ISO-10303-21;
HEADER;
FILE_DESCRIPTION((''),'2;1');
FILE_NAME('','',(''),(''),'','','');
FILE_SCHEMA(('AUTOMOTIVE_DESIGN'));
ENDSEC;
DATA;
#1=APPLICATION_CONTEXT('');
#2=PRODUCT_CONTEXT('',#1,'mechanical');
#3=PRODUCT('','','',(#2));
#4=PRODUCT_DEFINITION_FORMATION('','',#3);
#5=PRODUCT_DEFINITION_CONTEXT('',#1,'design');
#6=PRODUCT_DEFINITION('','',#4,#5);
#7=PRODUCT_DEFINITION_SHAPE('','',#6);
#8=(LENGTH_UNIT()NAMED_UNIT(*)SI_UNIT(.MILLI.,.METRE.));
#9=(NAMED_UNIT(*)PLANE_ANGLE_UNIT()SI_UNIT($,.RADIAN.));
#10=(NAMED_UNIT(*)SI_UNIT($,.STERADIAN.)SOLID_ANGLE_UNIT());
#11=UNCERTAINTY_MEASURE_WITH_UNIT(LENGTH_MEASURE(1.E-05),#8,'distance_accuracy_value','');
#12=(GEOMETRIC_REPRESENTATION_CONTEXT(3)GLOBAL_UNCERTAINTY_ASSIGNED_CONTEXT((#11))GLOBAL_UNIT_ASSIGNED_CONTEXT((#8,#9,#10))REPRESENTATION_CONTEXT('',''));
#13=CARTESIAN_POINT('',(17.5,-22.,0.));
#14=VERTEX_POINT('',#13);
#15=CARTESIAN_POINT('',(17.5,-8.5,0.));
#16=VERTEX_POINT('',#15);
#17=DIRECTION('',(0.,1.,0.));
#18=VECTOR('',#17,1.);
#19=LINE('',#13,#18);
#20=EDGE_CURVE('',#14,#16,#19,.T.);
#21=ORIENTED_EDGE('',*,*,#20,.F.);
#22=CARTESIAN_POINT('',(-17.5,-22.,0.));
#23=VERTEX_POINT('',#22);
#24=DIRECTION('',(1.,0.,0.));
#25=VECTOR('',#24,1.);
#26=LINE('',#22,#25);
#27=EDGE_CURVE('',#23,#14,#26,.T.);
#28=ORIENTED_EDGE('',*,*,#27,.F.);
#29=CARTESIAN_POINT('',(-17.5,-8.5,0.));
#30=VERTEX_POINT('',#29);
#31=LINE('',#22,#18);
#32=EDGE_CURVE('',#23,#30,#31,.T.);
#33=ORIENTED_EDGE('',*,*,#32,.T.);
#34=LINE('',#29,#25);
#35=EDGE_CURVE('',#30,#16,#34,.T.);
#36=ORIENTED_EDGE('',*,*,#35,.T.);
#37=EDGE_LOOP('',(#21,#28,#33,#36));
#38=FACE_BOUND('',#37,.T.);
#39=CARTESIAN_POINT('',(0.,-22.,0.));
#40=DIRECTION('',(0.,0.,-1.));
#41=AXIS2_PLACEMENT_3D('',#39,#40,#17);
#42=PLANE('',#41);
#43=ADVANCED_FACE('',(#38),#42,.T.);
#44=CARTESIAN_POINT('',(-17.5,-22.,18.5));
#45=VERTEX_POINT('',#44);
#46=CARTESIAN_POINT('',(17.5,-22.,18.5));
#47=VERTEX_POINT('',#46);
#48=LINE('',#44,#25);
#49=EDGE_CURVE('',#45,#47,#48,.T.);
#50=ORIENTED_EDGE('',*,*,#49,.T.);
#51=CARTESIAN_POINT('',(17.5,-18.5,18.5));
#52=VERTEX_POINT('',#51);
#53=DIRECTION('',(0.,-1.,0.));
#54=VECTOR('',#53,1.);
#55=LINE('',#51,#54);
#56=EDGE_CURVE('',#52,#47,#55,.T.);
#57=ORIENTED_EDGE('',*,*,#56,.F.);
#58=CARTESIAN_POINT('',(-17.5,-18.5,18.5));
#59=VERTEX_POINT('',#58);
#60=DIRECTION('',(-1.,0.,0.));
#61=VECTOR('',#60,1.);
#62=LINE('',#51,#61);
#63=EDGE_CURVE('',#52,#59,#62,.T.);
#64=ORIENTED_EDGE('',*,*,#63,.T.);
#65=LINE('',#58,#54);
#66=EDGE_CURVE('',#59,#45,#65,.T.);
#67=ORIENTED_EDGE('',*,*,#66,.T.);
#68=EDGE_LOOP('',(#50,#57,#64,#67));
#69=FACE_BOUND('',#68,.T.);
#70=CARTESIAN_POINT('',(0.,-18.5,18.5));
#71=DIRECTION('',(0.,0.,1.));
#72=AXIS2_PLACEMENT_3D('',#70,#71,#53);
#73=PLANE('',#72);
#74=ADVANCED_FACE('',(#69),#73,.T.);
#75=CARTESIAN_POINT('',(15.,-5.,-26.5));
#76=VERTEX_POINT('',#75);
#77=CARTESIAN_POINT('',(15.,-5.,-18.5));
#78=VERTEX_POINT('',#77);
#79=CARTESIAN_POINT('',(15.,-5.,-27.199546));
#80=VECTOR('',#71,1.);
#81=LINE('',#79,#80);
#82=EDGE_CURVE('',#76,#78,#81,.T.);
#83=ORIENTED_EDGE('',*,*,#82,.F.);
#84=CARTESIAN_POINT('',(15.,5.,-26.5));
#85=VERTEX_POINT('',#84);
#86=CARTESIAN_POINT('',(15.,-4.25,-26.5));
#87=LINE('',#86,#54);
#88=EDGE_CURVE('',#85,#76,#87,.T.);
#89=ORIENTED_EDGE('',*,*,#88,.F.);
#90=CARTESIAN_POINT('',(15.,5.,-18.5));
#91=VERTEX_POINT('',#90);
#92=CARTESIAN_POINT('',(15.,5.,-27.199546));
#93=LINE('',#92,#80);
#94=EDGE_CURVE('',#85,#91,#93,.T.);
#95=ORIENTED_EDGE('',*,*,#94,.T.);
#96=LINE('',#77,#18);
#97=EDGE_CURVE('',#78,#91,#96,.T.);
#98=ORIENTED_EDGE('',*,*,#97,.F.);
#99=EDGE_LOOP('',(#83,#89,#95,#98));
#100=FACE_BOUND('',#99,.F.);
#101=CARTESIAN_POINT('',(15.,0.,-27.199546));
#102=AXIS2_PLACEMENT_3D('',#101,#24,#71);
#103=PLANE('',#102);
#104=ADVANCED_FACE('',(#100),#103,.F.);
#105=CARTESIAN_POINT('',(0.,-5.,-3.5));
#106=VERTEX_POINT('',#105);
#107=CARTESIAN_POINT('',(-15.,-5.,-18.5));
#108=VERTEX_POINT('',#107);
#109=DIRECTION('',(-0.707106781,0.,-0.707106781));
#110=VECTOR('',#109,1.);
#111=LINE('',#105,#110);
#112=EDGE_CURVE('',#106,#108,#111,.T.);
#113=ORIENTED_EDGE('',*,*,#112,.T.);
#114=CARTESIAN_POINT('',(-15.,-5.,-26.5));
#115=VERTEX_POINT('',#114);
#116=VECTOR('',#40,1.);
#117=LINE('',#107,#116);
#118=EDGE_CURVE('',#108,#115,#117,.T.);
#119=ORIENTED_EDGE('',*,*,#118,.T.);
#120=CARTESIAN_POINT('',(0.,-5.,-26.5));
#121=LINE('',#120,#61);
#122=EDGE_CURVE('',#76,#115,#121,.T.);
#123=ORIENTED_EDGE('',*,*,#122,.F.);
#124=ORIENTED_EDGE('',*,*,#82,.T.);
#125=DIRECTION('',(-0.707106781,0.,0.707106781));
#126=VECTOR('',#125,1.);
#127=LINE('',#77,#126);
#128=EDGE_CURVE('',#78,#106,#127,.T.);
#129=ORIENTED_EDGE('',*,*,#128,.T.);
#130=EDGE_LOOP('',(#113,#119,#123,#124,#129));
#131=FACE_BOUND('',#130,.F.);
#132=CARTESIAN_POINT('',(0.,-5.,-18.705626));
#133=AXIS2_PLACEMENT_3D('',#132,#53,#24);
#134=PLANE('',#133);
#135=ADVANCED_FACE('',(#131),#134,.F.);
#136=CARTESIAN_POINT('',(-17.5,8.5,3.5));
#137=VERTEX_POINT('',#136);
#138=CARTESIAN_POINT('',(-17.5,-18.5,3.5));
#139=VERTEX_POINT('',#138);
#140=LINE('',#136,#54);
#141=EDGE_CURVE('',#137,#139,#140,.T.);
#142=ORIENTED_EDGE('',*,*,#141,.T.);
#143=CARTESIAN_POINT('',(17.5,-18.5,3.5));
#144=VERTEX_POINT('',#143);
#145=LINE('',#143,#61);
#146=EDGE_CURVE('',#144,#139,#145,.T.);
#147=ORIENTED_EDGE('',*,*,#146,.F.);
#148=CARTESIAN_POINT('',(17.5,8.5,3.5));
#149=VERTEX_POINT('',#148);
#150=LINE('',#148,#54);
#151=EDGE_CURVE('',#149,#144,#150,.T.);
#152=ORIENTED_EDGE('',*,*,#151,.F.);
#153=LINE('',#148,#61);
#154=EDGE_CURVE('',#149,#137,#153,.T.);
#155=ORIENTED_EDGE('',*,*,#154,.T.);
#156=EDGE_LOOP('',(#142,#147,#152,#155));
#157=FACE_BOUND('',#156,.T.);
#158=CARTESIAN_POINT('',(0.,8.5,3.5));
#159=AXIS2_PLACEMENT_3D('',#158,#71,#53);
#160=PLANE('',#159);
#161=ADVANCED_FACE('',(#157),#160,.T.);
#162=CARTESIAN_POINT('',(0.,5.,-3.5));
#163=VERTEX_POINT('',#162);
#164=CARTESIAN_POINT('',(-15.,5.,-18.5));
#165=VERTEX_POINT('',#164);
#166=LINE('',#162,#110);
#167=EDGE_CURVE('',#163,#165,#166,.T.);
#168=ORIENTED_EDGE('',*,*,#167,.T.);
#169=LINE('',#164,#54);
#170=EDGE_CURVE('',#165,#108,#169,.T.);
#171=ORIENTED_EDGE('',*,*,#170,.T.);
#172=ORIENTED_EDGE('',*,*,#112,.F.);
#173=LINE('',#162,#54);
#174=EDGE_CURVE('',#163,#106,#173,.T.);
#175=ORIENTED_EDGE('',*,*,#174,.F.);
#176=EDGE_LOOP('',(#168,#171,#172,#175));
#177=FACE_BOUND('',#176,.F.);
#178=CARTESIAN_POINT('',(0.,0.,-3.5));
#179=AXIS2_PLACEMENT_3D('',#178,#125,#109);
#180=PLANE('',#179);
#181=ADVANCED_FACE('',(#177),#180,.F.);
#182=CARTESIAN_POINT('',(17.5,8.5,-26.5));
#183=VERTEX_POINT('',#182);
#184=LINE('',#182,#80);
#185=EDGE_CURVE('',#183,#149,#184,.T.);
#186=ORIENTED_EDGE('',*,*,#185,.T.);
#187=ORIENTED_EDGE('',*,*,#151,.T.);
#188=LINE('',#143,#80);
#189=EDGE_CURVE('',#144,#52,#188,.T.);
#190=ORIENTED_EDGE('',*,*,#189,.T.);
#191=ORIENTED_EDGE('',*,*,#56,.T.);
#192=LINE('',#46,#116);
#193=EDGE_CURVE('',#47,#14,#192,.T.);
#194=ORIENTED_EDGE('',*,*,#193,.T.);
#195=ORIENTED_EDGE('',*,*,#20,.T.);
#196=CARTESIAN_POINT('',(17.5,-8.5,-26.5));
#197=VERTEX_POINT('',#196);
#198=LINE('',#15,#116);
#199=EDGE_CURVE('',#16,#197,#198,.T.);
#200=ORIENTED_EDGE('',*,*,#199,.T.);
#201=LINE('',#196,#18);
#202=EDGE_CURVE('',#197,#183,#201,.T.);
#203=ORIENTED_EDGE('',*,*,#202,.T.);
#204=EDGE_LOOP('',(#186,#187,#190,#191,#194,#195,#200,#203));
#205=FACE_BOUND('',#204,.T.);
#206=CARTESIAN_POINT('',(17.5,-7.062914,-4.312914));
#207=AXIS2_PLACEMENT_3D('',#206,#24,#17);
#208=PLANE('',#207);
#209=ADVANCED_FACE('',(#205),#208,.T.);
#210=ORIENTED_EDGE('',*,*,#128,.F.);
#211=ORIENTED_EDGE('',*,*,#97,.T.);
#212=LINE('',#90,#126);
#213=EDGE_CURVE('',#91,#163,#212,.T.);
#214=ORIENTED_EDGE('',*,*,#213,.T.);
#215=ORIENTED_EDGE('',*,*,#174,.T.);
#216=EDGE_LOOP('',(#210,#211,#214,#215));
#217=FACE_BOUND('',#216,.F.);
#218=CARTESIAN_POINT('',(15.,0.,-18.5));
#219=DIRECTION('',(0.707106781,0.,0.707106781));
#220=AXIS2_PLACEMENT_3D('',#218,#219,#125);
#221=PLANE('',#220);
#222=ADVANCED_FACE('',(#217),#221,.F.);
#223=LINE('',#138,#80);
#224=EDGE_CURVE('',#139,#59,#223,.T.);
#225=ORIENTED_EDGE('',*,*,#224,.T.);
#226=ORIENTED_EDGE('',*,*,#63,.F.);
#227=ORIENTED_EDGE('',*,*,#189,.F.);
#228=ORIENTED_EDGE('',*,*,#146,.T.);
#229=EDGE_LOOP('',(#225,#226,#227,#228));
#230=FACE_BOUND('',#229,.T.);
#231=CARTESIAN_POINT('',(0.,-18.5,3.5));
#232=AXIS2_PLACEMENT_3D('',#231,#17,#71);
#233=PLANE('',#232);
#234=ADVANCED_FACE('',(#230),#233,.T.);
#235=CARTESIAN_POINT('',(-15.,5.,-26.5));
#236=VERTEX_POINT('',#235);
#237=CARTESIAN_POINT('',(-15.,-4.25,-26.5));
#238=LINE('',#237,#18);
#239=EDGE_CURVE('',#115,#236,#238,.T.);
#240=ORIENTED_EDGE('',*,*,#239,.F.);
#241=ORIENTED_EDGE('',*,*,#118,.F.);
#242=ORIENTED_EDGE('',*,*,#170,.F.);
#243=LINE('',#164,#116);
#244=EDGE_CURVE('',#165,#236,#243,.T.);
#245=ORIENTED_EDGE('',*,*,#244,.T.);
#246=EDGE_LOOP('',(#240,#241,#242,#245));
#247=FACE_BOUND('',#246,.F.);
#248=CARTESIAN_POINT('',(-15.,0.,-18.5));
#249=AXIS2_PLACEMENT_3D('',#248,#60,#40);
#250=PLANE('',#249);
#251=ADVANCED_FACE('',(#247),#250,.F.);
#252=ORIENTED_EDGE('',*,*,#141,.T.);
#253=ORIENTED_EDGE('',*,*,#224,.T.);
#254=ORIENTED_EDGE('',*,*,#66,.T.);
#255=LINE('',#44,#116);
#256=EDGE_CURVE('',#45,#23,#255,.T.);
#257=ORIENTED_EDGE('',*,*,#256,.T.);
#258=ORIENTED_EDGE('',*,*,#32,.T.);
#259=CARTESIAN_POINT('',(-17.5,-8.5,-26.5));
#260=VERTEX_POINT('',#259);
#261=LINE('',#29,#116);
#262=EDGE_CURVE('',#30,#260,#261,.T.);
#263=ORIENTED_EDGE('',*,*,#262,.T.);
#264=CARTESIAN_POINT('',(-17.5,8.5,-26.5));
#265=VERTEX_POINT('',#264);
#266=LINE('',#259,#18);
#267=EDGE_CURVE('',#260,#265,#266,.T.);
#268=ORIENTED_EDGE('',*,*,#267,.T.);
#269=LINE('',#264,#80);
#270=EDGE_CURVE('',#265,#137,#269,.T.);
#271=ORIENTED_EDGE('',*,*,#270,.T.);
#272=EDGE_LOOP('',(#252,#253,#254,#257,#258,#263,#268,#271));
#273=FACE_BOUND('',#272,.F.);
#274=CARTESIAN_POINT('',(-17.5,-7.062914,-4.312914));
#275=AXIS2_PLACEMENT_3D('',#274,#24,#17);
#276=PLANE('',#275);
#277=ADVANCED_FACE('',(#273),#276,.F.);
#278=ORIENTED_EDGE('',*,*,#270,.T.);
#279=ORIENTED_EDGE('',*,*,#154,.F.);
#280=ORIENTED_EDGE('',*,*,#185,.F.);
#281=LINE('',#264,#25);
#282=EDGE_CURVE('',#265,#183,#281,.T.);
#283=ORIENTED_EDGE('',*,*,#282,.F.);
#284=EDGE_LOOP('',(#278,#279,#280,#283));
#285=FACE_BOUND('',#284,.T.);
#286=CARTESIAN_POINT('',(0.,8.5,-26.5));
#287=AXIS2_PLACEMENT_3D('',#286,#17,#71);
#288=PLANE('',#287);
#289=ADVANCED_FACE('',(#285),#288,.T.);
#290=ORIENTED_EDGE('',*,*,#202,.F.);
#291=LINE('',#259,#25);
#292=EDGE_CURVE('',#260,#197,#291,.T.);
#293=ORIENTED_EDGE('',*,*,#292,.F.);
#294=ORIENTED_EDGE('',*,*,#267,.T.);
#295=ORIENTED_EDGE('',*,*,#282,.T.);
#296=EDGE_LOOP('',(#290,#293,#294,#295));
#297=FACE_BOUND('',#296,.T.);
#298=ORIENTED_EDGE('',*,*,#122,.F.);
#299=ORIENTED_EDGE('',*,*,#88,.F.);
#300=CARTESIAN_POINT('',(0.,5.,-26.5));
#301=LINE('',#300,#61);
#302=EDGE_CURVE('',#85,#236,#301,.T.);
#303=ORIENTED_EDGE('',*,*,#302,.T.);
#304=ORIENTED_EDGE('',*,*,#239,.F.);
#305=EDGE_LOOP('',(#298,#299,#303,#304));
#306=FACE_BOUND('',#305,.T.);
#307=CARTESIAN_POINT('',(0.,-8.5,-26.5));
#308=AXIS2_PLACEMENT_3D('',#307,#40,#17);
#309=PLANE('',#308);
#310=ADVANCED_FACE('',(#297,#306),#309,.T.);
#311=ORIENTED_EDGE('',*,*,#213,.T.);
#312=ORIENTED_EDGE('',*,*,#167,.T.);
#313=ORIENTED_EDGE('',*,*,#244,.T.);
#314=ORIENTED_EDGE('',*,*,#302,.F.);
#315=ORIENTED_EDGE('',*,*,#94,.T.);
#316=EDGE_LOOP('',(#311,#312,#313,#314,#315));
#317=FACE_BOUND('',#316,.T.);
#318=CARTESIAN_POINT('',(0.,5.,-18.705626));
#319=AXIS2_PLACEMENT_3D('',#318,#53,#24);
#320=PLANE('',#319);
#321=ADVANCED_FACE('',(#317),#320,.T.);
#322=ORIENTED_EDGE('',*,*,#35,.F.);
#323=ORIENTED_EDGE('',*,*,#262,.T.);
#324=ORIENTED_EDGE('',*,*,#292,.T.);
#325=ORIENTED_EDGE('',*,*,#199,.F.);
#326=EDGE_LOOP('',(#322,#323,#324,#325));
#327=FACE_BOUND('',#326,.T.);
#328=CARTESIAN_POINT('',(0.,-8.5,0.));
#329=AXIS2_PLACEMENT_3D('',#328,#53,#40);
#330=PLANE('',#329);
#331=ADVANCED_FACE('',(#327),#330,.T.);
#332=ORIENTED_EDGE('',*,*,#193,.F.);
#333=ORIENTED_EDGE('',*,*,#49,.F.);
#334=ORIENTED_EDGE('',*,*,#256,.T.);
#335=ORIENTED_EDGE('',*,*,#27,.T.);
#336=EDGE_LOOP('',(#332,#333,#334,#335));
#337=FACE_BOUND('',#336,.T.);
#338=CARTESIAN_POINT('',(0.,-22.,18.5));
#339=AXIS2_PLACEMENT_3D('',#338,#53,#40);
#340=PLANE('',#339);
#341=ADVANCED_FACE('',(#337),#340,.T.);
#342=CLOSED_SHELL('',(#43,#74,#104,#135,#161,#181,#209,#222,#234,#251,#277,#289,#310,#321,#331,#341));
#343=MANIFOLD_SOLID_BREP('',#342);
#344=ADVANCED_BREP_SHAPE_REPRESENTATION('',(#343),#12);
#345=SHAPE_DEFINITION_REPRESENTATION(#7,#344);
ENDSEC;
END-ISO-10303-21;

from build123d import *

# Parameters (mm, degrees)
F1_DEPTH = 17.5
F3_DEPTH = 5


with BuildPart() as f1:
    # F0 (on Right) → F1 (new body, symmetric)
    with BuildSketch(Plane.YZ):
        Polygon((-18.5, 18.5), (-22, 18.5), (-22, 0), (-8.5, 0), (-8.5, -26.5), (8.5, -26.5), (8.5, 3.5), (-18.5, 3.5), align=None)
    extrude(amount=F1_DEPTH, both=True)

    # F2 (on Front) → F3 (cut, symmetric)
    with BuildSketch(Plane.XZ):
        Polygon((15, -18.5), (0, -3.5), (-15, -18.5), (-15, -27.1995458752), (15, -27.1995458752), align=None)
    extrude(amount=F3_DEPTH, both=True, mode=Mode.SUBTRACT)


solid = f1.part
